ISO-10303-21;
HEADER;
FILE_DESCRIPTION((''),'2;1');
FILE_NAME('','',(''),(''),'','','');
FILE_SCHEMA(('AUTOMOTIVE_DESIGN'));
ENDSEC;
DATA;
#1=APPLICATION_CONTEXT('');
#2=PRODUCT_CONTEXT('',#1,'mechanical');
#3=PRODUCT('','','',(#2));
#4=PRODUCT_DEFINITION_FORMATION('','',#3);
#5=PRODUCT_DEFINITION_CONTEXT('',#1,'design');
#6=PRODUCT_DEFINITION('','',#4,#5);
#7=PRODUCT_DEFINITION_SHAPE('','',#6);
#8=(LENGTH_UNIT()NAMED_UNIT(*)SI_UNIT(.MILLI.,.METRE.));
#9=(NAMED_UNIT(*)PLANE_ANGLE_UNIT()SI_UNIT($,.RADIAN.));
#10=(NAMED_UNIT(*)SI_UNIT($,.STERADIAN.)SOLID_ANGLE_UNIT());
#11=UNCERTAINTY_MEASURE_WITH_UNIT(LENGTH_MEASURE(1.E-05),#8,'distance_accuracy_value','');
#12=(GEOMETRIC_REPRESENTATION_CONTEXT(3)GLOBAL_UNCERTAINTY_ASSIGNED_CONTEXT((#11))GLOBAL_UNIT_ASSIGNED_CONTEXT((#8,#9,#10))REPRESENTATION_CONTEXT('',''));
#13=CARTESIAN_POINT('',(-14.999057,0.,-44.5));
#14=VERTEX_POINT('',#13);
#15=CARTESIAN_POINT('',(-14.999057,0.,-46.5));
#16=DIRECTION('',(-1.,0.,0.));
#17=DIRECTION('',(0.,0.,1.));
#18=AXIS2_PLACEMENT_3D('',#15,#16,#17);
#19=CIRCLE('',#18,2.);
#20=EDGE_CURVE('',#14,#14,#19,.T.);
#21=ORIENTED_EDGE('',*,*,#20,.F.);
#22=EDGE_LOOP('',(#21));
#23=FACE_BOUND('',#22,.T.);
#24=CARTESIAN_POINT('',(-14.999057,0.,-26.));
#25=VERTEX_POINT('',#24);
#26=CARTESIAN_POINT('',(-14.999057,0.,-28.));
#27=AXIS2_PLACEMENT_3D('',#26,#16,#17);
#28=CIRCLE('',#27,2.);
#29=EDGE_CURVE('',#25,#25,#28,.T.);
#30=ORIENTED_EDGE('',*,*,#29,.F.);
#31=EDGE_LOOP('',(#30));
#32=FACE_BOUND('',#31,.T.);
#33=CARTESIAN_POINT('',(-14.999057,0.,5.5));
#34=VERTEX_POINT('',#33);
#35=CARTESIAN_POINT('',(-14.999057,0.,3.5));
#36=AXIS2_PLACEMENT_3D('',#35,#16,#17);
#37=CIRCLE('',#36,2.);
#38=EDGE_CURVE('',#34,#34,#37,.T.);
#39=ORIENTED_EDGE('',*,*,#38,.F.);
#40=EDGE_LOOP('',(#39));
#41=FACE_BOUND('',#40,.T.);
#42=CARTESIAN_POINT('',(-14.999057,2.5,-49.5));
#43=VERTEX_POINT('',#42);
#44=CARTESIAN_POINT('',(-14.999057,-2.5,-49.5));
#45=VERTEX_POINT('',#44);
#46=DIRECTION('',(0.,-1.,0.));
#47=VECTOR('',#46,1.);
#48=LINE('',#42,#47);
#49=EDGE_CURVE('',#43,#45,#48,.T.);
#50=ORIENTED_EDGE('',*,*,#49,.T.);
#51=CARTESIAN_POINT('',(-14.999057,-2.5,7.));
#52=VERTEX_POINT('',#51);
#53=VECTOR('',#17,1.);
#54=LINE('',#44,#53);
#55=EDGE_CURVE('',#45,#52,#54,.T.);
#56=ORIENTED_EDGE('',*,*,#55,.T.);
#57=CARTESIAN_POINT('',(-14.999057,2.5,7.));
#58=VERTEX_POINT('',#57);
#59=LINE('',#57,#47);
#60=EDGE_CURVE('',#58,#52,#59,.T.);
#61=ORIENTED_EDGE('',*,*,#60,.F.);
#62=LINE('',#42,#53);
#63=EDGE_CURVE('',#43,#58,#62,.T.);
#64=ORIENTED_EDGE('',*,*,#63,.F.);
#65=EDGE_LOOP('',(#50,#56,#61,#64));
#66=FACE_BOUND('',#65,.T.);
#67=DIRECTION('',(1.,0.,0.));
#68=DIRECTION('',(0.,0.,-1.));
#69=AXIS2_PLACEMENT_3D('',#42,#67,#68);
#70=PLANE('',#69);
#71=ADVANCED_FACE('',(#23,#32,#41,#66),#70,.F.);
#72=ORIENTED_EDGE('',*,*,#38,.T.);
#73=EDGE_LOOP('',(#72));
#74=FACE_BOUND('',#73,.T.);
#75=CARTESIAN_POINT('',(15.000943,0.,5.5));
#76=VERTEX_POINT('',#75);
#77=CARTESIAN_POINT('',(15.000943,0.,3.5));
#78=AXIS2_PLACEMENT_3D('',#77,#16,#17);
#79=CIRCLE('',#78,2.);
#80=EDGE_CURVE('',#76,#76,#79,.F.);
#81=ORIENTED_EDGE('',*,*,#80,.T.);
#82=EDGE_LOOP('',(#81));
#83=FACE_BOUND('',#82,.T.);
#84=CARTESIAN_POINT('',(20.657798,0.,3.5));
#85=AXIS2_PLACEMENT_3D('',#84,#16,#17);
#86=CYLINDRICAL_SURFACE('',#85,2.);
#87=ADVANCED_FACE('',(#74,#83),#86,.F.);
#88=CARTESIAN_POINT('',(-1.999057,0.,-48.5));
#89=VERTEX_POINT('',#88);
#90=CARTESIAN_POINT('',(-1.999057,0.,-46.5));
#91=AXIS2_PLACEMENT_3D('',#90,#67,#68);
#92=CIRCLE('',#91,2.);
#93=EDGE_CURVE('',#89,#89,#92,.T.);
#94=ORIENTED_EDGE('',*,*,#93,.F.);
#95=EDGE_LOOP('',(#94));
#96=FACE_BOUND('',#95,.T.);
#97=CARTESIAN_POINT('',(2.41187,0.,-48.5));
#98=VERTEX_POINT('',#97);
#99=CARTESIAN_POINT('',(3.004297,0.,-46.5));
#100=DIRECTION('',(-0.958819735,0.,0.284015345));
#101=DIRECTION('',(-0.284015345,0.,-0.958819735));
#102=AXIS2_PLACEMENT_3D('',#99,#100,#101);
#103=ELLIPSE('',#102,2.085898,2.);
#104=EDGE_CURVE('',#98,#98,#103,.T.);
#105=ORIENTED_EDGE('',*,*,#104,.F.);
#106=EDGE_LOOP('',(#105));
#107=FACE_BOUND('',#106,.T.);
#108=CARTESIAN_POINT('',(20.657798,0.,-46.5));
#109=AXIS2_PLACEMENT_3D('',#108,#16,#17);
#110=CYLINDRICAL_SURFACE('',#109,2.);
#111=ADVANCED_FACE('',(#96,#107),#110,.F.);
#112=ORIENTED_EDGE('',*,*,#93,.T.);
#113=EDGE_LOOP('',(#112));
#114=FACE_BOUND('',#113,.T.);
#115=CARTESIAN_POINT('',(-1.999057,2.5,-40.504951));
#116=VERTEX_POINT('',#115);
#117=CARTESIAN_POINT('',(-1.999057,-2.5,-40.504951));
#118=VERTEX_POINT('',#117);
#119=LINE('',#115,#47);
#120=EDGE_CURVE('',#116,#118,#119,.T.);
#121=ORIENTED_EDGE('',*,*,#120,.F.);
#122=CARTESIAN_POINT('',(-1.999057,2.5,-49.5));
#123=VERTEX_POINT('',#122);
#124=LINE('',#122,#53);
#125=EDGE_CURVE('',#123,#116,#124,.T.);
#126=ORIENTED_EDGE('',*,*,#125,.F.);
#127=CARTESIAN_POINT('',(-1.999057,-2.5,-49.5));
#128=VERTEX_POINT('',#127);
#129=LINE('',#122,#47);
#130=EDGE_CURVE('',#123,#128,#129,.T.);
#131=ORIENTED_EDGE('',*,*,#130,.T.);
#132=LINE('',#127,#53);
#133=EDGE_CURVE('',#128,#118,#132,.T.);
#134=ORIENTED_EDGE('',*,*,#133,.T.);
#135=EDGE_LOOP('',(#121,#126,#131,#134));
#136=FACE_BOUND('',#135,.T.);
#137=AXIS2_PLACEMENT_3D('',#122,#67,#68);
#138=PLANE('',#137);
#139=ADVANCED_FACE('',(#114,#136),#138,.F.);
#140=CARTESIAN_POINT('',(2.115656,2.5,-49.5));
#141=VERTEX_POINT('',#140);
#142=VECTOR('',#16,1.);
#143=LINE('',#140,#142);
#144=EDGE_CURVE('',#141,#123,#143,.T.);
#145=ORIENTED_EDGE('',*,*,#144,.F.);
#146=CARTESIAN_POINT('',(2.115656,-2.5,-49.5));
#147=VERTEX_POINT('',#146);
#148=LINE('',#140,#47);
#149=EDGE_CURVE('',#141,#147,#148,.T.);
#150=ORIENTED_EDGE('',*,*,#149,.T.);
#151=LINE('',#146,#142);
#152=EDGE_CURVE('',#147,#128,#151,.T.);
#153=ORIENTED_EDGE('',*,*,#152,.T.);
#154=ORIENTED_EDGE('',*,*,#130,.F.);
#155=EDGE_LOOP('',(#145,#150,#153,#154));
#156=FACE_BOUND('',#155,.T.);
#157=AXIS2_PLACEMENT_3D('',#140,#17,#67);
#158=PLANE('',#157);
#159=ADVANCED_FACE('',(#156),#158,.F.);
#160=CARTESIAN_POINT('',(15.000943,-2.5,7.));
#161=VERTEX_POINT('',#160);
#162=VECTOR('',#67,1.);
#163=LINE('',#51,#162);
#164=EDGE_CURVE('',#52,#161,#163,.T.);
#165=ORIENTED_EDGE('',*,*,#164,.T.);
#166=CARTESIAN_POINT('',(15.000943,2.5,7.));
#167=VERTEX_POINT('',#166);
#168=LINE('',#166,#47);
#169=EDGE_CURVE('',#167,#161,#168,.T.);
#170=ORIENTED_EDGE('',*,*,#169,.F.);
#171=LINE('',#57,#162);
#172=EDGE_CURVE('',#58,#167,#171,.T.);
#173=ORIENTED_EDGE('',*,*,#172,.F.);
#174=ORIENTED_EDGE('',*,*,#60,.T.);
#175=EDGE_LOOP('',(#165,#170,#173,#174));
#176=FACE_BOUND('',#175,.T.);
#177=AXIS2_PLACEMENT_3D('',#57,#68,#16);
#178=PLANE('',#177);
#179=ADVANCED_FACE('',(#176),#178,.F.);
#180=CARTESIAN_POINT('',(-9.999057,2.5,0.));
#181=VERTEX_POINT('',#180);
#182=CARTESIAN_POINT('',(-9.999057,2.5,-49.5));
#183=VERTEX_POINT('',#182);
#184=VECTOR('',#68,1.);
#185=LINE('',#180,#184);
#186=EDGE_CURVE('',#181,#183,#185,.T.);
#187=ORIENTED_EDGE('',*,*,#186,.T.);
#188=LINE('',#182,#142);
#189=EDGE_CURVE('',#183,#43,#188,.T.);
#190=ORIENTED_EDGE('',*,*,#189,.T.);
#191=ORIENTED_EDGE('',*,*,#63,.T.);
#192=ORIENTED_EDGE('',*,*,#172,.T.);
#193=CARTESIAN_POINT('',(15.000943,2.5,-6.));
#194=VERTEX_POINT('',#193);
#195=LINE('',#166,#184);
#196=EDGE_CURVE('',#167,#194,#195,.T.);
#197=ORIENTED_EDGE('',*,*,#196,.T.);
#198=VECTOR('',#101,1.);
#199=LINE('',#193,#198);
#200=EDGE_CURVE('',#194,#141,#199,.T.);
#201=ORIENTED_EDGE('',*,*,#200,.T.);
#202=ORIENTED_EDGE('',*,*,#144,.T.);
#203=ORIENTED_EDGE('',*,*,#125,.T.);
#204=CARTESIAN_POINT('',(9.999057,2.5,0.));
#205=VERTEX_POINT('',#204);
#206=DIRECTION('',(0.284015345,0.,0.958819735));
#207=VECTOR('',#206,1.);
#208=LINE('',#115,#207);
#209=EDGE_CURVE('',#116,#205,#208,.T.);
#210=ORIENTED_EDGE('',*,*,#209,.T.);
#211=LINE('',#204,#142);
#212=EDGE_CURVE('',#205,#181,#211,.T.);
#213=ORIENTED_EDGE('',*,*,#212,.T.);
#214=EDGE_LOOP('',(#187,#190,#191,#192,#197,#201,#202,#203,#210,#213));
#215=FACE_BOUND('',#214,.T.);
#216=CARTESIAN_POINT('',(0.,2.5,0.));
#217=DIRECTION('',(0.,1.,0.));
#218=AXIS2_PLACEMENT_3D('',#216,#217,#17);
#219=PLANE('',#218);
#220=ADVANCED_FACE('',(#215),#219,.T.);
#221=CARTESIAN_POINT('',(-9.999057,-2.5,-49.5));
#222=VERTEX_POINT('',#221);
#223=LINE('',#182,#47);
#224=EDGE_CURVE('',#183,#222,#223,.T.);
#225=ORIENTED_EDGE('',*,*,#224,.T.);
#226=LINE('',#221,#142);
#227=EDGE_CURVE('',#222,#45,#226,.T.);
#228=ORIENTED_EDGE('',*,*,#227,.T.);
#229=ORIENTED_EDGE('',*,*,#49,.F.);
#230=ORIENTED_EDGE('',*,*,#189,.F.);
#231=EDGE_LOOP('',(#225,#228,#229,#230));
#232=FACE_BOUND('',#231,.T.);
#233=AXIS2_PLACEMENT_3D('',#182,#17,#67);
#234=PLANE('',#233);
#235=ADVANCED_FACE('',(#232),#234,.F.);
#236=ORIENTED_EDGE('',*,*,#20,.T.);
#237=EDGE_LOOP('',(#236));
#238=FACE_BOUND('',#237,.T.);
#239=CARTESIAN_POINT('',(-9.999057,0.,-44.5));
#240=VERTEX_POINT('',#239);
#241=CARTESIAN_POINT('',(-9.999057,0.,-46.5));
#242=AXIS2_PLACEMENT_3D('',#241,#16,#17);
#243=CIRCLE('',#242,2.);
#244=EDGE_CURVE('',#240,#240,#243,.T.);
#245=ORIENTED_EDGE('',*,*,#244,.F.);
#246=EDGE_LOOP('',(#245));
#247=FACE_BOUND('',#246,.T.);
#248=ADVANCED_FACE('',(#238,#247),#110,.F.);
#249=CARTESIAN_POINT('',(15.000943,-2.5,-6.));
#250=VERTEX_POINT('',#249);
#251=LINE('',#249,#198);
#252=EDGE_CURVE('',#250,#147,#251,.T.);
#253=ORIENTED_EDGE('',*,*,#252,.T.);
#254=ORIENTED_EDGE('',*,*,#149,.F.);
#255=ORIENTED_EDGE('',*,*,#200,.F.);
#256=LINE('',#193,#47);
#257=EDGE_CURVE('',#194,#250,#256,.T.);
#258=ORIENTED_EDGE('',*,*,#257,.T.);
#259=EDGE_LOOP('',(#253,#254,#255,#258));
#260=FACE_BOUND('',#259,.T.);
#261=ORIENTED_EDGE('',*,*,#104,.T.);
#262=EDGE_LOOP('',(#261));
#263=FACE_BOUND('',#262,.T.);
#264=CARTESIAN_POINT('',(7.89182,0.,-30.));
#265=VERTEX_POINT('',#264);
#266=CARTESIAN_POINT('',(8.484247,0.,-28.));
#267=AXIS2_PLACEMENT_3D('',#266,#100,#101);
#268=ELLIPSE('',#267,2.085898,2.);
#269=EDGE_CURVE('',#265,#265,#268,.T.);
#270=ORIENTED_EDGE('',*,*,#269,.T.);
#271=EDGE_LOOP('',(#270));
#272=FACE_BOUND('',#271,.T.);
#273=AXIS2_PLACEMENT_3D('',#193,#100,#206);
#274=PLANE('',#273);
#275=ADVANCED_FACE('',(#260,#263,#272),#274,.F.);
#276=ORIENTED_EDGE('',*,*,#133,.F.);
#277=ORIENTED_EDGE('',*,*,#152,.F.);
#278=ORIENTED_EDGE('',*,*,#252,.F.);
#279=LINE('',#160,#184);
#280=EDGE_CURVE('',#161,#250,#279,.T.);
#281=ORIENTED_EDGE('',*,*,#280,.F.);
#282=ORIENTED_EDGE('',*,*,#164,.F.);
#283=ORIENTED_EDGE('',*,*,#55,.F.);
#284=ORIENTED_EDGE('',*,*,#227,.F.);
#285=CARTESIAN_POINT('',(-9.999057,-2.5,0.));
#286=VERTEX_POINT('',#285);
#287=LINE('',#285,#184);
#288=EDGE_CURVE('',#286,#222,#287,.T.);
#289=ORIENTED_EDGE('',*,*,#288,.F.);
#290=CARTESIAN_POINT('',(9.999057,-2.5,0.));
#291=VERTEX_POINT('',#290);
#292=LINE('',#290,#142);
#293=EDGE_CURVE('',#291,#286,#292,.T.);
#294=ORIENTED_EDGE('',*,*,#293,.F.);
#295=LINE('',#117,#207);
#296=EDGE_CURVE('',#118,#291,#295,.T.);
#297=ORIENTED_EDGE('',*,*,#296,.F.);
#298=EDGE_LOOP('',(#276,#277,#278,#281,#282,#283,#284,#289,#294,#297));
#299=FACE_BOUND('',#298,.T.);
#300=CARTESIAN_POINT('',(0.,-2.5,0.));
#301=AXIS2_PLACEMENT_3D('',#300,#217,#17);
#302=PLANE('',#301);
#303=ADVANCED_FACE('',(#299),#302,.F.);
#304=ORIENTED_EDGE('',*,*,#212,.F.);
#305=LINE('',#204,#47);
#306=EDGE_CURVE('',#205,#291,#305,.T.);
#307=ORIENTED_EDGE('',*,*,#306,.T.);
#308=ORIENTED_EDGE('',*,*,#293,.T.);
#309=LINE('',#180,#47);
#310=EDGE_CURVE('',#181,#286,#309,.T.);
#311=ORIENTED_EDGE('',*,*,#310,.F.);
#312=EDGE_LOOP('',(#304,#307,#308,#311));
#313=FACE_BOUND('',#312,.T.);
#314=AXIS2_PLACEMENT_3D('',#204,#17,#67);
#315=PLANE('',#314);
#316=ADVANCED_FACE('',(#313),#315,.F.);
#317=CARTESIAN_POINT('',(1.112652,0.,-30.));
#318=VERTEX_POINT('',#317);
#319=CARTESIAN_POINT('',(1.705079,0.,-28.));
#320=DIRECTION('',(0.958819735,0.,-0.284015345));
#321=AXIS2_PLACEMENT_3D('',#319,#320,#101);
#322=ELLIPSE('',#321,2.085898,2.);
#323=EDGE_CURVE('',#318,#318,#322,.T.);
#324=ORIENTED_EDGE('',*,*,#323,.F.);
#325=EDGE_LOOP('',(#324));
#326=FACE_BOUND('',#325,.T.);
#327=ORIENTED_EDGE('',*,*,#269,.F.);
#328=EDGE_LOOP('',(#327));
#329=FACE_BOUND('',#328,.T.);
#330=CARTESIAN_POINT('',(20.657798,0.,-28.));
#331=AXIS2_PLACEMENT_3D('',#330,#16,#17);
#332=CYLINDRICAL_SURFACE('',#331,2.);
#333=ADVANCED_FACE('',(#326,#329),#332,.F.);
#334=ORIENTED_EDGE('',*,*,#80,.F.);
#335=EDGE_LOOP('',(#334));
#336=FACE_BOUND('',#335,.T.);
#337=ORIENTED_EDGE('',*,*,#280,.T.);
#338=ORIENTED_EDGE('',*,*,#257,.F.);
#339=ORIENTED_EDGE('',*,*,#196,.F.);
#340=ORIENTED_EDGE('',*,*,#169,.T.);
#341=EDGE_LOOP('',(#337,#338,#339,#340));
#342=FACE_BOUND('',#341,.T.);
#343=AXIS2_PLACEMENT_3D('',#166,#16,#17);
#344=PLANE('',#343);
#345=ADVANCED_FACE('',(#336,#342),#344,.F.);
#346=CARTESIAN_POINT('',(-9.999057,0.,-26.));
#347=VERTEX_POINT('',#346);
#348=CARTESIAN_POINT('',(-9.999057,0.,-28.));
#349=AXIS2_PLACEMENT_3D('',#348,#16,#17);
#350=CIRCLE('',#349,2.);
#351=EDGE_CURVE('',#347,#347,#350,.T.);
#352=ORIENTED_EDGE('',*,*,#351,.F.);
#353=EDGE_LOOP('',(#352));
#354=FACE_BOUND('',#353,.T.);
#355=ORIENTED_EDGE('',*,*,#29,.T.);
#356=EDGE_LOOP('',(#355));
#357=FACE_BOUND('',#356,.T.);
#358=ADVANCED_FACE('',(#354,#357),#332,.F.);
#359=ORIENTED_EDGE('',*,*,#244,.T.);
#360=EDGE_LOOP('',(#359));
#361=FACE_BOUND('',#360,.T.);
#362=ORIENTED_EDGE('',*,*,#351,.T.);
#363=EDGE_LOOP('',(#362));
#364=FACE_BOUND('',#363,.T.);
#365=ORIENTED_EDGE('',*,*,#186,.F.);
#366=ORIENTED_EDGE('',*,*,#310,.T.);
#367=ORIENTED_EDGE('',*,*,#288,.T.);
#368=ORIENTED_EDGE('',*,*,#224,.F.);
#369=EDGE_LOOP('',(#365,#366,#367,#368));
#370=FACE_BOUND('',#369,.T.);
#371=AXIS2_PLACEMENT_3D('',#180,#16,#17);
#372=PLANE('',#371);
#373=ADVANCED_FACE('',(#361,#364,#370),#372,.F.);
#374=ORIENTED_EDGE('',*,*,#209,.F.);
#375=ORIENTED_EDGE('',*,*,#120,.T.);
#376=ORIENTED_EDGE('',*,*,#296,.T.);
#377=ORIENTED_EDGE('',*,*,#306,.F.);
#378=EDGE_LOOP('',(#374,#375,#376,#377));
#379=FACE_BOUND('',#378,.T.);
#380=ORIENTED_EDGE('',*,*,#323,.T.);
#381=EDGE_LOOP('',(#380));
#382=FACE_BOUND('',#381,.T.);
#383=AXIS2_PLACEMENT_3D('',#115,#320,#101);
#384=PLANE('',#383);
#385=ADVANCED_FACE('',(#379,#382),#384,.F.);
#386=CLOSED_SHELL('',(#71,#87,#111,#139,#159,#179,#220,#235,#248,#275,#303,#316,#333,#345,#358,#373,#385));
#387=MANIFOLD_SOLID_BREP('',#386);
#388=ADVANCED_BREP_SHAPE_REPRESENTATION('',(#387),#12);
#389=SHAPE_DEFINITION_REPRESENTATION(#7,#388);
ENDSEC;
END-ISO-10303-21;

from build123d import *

# Parameters (mm, degrees)
BOSS_EXTRUDE1_DEPTH = 2.5
CUT_EXTRUDE1_REACH  = 59.935
SKETCH2_R           = 2


with BuildPart() as part:
    # Sketch1 → Boss-Extrude1 (new, symmetric)
    with BuildSketch(Plane(origin=(0, 0, 0), x_dir=(1, 0, 0), z_dir=(0, 1, 0))):
        Polygon((-9.999056518, 49.5), (-14.999056518, 49.5), (-14.999056518, -7), (15.000943482, -7), (15.000943482, 6), (2.115656451, 49.5), (-1.999056518, 49.5), (-1.999056518, 40.504950791), (9.999056518, 0), (-9.999056518, 0), align=None)
    extrude(amount=BOSS_EXTRUDE1_DEPTH, both=True)

    # Cut-Extrude1: up to this face of the body (flat: up to its plane)
    cut_extrude1_end = Plane(part.part.faces().sort_by_distance((15.000943482, 0, 0.5))[0])
    # Sketch2 → Cut-Extrude1 (cut, up to the picked face)
    with BuildSketch(Plane.ZY.offset(14.999056518), mode=Mode.PRIVATE) as cut_extrude1_sk1:
        with Locations(Location((-46.5, 0, 0), (0, 0, 180))):
            Circle(SKETCH2_R)
    cut_extrude1_tool1 = split(extrude(cut_extrude1_sk1.sketch, amount=-CUT_EXTRUDE1_REACH, mode=Mode.PRIVATE), bisect_by=cut_extrude1_end, keep=Keep.BOTH, mode=Mode.PRIVATE)
    # Sketch2 → Cut-Extrude1 (cut, up to the picked face)
    with BuildSketch(Plane.ZY.offset(14.999056518), mode=Mode.PRIVATE) as cut_extrude1_sk2:
        with Locations(Location((-28, 0, 0), (0, 0, 180))):
            Circle(SKETCH2_R)
    cut_extrude1_tool2 = split(extrude(cut_extrude1_sk2.sketch, amount=-CUT_EXTRUDE1_REACH, mode=Mode.PRIVATE), bisect_by=cut_extrude1_end, keep=Keep.BOTH, mode=Mode.PRIVATE)
    # Sketch2 → Cut-Extrude1 (cut, up to the picked face)
    with BuildSketch(Plane.ZY.offset(14.999056518), mode=Mode.PRIVATE) as cut_extrude1_sk3:
        with Locations((3.5, 0)):
            Circle(SKETCH2_R)
    cut_extrude1_tool3 = split(extrude(cut_extrude1_sk3.sketch, amount=-CUT_EXTRUDE1_REACH, mode=Mode.PRIVATE), bisect_by=cut_extrude1_end, keep=Keep.BOTH, mode=Mode.PRIVATE)
    add(cut_extrude1_tool1.solids().sort_by(Axis((-14.999057, 0, -46.5), (1, 0, 0)))[0], mode=Mode.SUBTRACT)
    add(cut_extrude1_tool2.solids().sort_by(Axis((-14.999057, 0, -28), (1, 0, 0)))[0], mode=Mode.SUBTRACT)
    add(cut_extrude1_tool3.solids().sort_by(Axis((-14.999057, 0, 3.5), (1, 0, 0)))[0], mode=Mode.SUBTRACT)


solid = part.part
